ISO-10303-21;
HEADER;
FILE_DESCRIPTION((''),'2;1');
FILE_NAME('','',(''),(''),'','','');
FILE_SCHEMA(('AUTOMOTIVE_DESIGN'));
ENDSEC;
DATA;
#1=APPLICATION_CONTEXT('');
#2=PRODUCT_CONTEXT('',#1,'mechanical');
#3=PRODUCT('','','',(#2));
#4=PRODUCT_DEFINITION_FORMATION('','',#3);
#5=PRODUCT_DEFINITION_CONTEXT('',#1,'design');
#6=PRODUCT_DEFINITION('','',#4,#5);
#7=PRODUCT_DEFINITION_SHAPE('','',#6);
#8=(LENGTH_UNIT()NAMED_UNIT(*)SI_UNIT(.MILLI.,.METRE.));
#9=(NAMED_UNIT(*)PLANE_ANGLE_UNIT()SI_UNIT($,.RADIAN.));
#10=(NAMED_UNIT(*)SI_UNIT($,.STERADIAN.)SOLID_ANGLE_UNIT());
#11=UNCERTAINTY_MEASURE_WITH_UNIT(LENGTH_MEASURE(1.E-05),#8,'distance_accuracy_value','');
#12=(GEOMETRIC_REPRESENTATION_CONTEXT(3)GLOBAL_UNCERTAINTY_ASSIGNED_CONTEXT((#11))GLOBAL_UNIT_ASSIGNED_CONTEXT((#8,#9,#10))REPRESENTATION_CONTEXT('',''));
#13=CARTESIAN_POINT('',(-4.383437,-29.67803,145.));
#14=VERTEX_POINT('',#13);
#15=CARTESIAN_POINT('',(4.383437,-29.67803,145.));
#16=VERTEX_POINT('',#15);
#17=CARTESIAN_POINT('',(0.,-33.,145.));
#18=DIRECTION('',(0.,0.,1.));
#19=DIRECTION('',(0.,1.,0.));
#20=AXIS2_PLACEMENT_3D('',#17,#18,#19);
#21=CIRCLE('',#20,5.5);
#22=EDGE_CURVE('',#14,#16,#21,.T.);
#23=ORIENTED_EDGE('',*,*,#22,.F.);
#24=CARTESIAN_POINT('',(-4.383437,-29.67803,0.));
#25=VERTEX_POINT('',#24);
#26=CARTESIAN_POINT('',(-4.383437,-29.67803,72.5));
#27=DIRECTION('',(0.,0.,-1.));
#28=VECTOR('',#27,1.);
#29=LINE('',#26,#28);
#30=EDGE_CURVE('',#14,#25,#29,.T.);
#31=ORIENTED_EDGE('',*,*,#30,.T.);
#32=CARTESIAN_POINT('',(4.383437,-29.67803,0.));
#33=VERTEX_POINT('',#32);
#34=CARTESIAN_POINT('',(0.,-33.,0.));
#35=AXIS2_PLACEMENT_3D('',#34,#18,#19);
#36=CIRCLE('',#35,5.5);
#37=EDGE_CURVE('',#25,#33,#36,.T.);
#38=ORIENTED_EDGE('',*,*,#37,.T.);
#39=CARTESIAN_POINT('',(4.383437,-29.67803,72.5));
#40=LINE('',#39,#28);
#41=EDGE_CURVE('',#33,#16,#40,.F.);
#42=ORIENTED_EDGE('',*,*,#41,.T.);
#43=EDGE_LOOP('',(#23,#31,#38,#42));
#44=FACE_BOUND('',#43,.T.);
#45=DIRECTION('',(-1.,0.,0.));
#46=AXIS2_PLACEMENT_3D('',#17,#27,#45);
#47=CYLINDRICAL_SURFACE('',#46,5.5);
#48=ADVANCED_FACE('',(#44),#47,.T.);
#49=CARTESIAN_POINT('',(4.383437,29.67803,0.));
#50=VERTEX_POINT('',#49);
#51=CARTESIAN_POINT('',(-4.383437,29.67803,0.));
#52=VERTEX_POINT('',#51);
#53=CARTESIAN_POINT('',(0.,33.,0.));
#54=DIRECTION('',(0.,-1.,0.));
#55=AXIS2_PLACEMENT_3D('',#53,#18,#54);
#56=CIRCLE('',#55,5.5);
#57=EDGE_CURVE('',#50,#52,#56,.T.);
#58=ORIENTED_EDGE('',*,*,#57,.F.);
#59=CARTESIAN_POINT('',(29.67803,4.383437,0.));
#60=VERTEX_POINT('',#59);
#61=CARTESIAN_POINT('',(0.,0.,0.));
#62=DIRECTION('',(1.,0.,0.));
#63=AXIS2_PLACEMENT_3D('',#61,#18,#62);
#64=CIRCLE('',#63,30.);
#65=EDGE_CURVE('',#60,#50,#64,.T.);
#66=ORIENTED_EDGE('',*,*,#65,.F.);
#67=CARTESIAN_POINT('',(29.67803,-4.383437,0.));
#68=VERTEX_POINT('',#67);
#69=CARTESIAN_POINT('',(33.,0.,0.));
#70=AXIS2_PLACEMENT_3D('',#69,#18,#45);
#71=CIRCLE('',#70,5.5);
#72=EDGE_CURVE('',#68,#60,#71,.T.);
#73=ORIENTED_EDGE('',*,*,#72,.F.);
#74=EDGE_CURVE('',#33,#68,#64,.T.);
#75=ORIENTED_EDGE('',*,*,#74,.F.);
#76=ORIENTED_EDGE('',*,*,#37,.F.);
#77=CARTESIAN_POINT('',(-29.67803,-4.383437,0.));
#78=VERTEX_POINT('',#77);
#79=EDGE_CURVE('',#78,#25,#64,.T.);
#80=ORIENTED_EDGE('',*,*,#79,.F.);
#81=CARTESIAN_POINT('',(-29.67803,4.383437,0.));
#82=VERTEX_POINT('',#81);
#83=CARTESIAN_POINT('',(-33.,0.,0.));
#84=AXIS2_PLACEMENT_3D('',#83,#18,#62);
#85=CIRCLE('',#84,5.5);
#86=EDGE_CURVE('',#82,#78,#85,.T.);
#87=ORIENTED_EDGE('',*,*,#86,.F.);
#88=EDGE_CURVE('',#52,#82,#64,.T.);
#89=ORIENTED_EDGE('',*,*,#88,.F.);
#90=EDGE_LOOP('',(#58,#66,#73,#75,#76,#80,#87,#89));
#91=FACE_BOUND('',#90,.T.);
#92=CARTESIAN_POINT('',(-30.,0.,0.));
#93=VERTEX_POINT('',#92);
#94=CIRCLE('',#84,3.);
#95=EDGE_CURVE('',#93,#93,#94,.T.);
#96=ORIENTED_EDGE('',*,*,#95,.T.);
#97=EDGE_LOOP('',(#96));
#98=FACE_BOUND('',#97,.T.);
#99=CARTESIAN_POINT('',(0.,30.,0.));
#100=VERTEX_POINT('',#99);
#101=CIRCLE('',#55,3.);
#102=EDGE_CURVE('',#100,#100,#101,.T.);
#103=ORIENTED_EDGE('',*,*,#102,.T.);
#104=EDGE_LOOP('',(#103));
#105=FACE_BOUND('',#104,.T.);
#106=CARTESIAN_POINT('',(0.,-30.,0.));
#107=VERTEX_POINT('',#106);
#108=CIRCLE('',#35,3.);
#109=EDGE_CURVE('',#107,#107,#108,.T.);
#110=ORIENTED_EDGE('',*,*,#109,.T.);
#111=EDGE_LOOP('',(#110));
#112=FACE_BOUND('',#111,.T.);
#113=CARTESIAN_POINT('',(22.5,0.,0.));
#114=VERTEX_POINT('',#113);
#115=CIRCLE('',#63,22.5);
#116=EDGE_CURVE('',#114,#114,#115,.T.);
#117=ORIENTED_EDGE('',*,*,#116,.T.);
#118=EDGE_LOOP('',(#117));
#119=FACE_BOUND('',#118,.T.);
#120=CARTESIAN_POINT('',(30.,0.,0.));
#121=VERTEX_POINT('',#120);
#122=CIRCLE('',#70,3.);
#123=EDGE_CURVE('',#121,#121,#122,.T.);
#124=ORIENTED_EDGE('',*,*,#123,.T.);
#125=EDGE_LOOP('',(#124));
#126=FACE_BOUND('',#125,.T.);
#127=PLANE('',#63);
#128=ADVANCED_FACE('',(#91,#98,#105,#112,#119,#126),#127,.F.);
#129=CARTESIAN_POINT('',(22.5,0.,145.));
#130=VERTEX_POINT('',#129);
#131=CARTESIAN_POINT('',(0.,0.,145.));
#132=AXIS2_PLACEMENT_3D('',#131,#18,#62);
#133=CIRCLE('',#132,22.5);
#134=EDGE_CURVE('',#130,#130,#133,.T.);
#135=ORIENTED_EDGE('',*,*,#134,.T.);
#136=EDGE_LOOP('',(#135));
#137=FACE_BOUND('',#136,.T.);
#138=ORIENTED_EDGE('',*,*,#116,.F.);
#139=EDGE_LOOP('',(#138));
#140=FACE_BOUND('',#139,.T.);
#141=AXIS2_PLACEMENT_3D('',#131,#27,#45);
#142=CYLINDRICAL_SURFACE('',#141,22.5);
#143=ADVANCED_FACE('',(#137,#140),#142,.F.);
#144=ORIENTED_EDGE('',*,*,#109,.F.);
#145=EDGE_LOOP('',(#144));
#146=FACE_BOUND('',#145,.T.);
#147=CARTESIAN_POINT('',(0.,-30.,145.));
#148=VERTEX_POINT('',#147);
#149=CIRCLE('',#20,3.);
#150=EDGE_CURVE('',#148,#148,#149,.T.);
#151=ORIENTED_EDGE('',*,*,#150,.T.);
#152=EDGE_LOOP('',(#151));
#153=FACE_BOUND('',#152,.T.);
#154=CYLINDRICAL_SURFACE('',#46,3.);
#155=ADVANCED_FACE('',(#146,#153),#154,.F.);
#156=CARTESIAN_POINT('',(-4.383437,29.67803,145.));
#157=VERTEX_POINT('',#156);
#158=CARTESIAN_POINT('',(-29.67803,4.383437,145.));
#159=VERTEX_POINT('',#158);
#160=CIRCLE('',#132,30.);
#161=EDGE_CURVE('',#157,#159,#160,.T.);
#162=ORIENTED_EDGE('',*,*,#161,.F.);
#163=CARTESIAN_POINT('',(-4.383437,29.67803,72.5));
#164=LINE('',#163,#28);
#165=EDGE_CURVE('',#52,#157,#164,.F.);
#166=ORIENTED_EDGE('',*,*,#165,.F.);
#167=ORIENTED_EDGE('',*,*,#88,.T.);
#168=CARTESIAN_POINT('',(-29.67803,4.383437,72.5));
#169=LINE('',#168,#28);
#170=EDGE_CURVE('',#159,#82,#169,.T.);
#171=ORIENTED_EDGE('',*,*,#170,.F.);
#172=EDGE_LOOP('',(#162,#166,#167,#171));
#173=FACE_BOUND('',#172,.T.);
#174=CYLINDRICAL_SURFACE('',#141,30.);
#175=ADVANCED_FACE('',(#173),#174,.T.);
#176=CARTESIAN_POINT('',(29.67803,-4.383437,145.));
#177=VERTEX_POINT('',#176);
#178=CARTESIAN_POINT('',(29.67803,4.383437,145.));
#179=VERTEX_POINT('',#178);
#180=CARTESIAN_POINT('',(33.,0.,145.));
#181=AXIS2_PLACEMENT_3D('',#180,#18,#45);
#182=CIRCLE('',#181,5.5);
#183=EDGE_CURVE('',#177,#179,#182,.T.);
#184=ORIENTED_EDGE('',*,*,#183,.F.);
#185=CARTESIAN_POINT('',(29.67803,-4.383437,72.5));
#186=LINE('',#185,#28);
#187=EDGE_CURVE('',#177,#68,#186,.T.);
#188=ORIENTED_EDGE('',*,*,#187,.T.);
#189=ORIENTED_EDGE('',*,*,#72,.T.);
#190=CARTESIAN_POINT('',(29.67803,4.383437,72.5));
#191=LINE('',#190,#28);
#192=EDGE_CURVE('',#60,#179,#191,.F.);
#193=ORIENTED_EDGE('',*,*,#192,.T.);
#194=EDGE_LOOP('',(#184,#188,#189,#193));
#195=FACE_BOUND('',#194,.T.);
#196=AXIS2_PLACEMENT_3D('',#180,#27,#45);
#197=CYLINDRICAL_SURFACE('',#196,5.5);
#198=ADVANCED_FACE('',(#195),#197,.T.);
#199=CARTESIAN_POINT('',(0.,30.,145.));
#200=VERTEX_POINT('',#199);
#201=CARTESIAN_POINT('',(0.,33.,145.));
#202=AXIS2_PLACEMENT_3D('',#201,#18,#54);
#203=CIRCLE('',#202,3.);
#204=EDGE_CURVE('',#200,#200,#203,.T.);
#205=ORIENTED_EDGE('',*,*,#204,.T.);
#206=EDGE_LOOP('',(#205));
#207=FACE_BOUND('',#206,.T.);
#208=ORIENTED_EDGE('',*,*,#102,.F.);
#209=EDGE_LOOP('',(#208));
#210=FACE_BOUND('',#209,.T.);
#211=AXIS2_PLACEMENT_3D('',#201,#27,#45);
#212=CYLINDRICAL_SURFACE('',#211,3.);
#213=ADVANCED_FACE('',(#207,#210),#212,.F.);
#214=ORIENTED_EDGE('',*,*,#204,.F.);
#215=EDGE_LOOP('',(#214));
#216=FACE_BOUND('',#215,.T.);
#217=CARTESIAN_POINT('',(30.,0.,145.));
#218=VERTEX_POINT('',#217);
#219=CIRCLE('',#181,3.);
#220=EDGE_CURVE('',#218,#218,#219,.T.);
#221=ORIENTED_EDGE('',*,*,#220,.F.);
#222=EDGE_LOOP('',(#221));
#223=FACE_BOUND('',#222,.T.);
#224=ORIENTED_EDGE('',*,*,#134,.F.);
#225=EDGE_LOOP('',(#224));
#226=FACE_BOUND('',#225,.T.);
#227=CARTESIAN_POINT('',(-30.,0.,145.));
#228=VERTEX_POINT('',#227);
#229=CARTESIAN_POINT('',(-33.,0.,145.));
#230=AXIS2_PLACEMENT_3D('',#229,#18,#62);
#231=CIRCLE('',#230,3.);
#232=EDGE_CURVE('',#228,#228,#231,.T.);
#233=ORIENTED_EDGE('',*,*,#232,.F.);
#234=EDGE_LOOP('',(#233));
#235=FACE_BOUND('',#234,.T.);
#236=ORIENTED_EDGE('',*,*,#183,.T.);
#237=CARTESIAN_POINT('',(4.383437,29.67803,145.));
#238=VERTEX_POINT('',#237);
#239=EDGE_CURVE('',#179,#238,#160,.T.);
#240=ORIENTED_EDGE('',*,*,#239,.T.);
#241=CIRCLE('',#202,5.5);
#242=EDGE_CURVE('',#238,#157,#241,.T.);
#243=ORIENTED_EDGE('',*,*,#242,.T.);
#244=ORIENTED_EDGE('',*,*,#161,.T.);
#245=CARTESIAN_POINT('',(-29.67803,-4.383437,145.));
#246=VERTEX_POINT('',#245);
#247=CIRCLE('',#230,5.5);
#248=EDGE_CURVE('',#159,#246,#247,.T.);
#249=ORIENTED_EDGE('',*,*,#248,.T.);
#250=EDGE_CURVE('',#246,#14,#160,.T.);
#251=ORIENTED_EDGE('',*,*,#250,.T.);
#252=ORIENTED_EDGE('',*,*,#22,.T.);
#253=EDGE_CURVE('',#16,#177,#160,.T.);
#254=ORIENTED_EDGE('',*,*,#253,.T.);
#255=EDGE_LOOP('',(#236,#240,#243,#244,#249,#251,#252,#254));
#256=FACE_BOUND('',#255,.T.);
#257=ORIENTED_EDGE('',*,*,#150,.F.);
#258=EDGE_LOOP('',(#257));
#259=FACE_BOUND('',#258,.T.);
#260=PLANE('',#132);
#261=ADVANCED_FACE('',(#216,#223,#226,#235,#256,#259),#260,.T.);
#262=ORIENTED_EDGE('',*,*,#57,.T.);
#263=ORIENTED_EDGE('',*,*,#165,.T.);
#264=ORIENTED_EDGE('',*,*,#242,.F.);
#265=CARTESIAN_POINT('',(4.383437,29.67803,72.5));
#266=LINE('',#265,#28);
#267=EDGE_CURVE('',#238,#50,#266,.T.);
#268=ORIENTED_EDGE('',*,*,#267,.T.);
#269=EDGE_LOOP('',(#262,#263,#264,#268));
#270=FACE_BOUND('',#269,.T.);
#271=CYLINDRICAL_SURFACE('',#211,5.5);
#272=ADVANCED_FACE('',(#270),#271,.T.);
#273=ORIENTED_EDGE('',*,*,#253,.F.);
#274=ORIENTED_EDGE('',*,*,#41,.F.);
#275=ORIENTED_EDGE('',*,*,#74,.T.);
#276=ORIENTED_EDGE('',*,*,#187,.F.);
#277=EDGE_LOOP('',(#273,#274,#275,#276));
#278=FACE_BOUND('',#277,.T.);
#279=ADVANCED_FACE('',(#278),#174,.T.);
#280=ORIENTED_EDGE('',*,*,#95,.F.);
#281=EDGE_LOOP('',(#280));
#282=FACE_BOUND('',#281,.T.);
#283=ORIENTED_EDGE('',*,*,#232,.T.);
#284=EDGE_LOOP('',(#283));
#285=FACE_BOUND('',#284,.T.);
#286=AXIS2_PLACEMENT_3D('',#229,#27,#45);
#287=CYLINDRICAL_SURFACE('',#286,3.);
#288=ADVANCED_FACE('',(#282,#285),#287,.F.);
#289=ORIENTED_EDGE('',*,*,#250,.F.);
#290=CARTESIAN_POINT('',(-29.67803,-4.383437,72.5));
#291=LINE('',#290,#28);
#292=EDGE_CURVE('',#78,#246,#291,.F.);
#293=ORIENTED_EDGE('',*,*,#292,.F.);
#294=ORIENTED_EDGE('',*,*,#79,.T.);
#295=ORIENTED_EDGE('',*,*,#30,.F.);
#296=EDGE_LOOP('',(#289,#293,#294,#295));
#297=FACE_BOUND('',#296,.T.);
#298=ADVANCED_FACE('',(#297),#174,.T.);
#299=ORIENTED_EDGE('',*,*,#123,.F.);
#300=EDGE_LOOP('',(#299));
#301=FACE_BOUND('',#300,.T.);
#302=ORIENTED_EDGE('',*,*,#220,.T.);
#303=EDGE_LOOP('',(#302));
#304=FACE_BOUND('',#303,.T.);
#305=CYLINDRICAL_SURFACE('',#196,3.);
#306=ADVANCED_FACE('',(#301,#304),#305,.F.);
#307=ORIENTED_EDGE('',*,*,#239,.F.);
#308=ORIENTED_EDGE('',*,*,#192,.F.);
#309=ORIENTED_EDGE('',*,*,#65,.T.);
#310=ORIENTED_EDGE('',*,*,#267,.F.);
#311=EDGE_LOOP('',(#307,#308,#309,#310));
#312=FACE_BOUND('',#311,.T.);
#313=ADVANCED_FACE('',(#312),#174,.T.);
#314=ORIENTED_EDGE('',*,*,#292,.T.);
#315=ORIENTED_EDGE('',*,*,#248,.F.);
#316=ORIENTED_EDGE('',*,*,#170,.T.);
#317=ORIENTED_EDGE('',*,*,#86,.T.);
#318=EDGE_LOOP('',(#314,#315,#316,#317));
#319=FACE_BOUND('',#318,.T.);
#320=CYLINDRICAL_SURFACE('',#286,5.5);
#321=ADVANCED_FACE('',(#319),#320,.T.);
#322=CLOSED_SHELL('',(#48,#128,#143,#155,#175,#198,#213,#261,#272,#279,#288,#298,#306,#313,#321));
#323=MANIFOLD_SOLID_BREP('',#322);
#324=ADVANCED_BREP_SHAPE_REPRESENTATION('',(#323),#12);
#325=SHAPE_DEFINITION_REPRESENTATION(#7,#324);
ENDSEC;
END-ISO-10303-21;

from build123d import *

# Parameters (mm, degrees)
SKETCH1_R               = 30
SKETCH1_R_2             = 22.5
BOSS_EXTRUDE2_DEPTH     = 145
CROQUIS1_R              = 5.5
CROQUIS1_R_2            = 3
SALIENTE_EXTRUIR1_DEPTH = 145
MATRIZC1_COUNT          = 4


with BuildPart() as part:
    # Sketch1 → Boss-Extrude2 (new body)
    with BuildSketch(Plane.XY):
        Circle(SKETCH1_R)
        Circle(SKETCH1_R_2, mode=Mode.SUBTRACT)
    extrude(amount=BOSS_EXTRUDE2_DEPTH)

    # Croquis1 → Saliente-Extruir1 (add)
    with BuildSketch(Plane.XY):
        with Locations((-33, 0)):
            Circle(CROQUIS1_R)
        with Locations((-33, 0)):
            Circle(CROQUIS1_R_2, mode=Mode.SUBTRACT)
    saliente_extruir1 = extrude(amount=SALIENTE_EXTRUIR1_DEPTH)

    # MatrizC1: Saliente-Extruir1 ×4 about axis
    matrizc1_axis = Axis((0, 0, 0), (0, 0, 1))
    for i in range(1, MATRIZC1_COUNT):
        add(saliente_extruir1.rotate(matrizc1_axis, i * 360 / MATRIZC1_COUNT))


solid = part.part
